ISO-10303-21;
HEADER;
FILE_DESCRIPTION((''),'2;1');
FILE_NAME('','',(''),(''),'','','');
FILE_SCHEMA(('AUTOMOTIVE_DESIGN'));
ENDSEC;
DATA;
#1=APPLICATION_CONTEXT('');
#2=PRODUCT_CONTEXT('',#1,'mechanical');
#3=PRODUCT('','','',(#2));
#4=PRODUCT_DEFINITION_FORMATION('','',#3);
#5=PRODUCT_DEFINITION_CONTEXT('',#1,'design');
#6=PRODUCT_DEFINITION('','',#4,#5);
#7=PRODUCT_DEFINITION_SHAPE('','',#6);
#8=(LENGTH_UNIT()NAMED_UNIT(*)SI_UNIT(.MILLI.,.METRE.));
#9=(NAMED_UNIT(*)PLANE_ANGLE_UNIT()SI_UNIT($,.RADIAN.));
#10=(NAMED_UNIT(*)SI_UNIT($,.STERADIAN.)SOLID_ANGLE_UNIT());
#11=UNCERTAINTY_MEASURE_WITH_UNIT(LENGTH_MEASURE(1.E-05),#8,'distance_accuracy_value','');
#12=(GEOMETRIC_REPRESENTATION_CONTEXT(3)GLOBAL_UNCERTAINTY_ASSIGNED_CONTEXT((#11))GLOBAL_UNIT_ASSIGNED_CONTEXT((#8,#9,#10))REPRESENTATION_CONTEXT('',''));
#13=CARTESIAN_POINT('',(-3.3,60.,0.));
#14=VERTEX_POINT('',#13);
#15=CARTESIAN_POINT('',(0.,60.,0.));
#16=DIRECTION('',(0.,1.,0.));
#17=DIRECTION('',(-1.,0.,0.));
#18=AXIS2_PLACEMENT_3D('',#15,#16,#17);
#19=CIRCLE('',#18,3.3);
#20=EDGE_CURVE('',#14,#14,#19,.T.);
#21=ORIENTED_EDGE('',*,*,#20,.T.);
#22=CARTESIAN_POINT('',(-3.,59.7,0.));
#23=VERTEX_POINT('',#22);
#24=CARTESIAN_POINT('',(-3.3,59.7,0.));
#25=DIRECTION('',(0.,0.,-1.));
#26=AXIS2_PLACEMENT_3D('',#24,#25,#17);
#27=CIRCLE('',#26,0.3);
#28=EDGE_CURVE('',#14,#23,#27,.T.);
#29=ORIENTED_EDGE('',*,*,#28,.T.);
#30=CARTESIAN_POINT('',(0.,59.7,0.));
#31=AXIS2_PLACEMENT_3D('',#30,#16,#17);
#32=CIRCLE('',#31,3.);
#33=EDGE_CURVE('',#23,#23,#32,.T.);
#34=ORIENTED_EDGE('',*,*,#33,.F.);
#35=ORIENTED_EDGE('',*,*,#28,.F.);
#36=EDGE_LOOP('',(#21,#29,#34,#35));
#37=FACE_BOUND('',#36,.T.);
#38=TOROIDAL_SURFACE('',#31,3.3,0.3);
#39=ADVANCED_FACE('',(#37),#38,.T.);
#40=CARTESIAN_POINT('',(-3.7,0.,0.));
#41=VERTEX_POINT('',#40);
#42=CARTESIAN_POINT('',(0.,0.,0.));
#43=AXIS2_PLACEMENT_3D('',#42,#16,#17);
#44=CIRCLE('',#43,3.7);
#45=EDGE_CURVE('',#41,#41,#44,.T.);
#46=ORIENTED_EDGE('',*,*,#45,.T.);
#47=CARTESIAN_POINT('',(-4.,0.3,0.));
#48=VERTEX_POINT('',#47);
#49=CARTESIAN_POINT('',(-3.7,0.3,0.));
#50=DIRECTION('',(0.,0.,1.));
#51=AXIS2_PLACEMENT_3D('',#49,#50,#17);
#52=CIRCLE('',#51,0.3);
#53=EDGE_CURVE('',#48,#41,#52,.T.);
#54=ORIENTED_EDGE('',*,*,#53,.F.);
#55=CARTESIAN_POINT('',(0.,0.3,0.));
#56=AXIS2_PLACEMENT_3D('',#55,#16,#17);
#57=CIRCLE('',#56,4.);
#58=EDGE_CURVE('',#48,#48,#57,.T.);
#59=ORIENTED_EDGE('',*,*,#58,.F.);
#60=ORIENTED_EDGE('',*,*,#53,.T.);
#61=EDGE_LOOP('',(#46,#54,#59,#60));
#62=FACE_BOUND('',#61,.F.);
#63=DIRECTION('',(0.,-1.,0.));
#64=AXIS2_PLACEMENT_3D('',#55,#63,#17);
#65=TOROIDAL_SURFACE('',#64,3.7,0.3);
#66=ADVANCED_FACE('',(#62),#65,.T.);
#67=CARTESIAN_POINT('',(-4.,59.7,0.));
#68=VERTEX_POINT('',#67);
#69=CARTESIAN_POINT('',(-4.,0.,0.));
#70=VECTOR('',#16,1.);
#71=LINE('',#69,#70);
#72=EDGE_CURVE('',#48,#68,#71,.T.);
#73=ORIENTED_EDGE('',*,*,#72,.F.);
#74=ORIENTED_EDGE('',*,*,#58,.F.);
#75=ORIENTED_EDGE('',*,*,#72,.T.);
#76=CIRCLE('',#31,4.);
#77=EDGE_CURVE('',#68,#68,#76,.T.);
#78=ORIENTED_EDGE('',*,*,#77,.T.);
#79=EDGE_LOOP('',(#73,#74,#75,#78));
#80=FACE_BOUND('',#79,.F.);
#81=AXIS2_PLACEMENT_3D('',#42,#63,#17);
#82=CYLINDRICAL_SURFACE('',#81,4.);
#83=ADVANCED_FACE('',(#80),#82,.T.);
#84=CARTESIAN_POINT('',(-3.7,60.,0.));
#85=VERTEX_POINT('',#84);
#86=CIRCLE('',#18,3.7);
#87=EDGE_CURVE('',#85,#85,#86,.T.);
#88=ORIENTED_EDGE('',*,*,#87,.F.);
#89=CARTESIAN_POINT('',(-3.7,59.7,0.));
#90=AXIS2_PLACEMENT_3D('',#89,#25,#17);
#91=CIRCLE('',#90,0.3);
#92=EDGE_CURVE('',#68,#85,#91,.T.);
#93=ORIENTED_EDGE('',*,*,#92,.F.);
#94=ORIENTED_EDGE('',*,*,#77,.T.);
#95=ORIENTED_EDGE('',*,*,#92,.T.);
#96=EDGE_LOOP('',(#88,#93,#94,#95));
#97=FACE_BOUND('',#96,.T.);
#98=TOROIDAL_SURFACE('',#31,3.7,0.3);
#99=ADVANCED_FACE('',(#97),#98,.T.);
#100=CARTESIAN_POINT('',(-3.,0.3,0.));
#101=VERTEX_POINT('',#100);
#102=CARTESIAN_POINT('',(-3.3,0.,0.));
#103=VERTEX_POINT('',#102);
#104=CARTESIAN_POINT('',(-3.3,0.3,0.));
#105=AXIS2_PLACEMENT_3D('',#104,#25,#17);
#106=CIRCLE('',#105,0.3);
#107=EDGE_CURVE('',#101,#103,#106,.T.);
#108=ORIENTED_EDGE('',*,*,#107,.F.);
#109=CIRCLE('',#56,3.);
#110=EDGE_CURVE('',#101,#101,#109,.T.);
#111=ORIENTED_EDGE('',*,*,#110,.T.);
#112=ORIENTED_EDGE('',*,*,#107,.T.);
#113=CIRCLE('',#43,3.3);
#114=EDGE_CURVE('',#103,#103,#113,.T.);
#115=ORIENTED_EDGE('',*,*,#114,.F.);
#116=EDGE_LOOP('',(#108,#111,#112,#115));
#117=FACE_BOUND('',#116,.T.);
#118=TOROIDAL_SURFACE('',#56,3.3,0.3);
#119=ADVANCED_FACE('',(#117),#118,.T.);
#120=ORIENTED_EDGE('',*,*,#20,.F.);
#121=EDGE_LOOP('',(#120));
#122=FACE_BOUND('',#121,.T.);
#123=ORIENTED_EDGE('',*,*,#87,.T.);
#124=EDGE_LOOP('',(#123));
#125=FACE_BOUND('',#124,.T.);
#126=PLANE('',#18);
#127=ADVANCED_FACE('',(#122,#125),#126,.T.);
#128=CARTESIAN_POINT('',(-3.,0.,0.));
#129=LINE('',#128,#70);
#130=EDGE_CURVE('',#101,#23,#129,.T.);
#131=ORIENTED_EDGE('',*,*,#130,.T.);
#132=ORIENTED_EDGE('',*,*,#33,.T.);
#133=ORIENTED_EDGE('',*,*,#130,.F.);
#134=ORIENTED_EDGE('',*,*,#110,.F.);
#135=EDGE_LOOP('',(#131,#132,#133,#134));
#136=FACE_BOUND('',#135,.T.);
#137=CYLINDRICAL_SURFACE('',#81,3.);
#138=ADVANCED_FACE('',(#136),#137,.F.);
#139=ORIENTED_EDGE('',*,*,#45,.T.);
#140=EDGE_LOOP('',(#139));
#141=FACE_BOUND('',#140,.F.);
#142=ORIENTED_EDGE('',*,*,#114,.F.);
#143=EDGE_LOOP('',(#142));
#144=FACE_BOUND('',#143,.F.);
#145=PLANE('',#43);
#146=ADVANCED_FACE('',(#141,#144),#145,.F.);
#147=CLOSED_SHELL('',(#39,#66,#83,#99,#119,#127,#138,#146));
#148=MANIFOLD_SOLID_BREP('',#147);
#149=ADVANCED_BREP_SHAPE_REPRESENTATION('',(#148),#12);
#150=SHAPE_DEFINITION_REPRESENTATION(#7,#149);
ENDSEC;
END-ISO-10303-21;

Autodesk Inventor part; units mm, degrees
ref_plane "YZ Plane" through (0, 0, 0) normal (1, 0, 0) x (0, 1, 0)
ref_plane "XZ Plane" through (0, 0, 0) normal (0, 1, 0) x (-1, 0, 0)
ref_plane "XY Plane" through (0, 0, 0) normal (0, 0, 1) x (1, 0, 0)
sketch "Sketch3" plane through (0, 0, 0) normal (0, 1, 0) x (-1, 0, 0)
  circle A0 centre (0, 0) radius 4
  circle A1 centre (0, 0) radius 3
  dimension "d4" = 8
  dimension "d6" = 6
extrude "Extrusion2" add sketch "Sketch3" along normal blind 60
fillet "Fillet1" radius 0.3 2 edges at (4, 0, 0) (3, 0, 0)
fillet "Fillet2" radius 0.3 1 edges at (4, 60, 0)
fillet "Fillet3" radius 0.3 1 edges at (3, 60, 0)
properties part number "tube" material "Glass"
